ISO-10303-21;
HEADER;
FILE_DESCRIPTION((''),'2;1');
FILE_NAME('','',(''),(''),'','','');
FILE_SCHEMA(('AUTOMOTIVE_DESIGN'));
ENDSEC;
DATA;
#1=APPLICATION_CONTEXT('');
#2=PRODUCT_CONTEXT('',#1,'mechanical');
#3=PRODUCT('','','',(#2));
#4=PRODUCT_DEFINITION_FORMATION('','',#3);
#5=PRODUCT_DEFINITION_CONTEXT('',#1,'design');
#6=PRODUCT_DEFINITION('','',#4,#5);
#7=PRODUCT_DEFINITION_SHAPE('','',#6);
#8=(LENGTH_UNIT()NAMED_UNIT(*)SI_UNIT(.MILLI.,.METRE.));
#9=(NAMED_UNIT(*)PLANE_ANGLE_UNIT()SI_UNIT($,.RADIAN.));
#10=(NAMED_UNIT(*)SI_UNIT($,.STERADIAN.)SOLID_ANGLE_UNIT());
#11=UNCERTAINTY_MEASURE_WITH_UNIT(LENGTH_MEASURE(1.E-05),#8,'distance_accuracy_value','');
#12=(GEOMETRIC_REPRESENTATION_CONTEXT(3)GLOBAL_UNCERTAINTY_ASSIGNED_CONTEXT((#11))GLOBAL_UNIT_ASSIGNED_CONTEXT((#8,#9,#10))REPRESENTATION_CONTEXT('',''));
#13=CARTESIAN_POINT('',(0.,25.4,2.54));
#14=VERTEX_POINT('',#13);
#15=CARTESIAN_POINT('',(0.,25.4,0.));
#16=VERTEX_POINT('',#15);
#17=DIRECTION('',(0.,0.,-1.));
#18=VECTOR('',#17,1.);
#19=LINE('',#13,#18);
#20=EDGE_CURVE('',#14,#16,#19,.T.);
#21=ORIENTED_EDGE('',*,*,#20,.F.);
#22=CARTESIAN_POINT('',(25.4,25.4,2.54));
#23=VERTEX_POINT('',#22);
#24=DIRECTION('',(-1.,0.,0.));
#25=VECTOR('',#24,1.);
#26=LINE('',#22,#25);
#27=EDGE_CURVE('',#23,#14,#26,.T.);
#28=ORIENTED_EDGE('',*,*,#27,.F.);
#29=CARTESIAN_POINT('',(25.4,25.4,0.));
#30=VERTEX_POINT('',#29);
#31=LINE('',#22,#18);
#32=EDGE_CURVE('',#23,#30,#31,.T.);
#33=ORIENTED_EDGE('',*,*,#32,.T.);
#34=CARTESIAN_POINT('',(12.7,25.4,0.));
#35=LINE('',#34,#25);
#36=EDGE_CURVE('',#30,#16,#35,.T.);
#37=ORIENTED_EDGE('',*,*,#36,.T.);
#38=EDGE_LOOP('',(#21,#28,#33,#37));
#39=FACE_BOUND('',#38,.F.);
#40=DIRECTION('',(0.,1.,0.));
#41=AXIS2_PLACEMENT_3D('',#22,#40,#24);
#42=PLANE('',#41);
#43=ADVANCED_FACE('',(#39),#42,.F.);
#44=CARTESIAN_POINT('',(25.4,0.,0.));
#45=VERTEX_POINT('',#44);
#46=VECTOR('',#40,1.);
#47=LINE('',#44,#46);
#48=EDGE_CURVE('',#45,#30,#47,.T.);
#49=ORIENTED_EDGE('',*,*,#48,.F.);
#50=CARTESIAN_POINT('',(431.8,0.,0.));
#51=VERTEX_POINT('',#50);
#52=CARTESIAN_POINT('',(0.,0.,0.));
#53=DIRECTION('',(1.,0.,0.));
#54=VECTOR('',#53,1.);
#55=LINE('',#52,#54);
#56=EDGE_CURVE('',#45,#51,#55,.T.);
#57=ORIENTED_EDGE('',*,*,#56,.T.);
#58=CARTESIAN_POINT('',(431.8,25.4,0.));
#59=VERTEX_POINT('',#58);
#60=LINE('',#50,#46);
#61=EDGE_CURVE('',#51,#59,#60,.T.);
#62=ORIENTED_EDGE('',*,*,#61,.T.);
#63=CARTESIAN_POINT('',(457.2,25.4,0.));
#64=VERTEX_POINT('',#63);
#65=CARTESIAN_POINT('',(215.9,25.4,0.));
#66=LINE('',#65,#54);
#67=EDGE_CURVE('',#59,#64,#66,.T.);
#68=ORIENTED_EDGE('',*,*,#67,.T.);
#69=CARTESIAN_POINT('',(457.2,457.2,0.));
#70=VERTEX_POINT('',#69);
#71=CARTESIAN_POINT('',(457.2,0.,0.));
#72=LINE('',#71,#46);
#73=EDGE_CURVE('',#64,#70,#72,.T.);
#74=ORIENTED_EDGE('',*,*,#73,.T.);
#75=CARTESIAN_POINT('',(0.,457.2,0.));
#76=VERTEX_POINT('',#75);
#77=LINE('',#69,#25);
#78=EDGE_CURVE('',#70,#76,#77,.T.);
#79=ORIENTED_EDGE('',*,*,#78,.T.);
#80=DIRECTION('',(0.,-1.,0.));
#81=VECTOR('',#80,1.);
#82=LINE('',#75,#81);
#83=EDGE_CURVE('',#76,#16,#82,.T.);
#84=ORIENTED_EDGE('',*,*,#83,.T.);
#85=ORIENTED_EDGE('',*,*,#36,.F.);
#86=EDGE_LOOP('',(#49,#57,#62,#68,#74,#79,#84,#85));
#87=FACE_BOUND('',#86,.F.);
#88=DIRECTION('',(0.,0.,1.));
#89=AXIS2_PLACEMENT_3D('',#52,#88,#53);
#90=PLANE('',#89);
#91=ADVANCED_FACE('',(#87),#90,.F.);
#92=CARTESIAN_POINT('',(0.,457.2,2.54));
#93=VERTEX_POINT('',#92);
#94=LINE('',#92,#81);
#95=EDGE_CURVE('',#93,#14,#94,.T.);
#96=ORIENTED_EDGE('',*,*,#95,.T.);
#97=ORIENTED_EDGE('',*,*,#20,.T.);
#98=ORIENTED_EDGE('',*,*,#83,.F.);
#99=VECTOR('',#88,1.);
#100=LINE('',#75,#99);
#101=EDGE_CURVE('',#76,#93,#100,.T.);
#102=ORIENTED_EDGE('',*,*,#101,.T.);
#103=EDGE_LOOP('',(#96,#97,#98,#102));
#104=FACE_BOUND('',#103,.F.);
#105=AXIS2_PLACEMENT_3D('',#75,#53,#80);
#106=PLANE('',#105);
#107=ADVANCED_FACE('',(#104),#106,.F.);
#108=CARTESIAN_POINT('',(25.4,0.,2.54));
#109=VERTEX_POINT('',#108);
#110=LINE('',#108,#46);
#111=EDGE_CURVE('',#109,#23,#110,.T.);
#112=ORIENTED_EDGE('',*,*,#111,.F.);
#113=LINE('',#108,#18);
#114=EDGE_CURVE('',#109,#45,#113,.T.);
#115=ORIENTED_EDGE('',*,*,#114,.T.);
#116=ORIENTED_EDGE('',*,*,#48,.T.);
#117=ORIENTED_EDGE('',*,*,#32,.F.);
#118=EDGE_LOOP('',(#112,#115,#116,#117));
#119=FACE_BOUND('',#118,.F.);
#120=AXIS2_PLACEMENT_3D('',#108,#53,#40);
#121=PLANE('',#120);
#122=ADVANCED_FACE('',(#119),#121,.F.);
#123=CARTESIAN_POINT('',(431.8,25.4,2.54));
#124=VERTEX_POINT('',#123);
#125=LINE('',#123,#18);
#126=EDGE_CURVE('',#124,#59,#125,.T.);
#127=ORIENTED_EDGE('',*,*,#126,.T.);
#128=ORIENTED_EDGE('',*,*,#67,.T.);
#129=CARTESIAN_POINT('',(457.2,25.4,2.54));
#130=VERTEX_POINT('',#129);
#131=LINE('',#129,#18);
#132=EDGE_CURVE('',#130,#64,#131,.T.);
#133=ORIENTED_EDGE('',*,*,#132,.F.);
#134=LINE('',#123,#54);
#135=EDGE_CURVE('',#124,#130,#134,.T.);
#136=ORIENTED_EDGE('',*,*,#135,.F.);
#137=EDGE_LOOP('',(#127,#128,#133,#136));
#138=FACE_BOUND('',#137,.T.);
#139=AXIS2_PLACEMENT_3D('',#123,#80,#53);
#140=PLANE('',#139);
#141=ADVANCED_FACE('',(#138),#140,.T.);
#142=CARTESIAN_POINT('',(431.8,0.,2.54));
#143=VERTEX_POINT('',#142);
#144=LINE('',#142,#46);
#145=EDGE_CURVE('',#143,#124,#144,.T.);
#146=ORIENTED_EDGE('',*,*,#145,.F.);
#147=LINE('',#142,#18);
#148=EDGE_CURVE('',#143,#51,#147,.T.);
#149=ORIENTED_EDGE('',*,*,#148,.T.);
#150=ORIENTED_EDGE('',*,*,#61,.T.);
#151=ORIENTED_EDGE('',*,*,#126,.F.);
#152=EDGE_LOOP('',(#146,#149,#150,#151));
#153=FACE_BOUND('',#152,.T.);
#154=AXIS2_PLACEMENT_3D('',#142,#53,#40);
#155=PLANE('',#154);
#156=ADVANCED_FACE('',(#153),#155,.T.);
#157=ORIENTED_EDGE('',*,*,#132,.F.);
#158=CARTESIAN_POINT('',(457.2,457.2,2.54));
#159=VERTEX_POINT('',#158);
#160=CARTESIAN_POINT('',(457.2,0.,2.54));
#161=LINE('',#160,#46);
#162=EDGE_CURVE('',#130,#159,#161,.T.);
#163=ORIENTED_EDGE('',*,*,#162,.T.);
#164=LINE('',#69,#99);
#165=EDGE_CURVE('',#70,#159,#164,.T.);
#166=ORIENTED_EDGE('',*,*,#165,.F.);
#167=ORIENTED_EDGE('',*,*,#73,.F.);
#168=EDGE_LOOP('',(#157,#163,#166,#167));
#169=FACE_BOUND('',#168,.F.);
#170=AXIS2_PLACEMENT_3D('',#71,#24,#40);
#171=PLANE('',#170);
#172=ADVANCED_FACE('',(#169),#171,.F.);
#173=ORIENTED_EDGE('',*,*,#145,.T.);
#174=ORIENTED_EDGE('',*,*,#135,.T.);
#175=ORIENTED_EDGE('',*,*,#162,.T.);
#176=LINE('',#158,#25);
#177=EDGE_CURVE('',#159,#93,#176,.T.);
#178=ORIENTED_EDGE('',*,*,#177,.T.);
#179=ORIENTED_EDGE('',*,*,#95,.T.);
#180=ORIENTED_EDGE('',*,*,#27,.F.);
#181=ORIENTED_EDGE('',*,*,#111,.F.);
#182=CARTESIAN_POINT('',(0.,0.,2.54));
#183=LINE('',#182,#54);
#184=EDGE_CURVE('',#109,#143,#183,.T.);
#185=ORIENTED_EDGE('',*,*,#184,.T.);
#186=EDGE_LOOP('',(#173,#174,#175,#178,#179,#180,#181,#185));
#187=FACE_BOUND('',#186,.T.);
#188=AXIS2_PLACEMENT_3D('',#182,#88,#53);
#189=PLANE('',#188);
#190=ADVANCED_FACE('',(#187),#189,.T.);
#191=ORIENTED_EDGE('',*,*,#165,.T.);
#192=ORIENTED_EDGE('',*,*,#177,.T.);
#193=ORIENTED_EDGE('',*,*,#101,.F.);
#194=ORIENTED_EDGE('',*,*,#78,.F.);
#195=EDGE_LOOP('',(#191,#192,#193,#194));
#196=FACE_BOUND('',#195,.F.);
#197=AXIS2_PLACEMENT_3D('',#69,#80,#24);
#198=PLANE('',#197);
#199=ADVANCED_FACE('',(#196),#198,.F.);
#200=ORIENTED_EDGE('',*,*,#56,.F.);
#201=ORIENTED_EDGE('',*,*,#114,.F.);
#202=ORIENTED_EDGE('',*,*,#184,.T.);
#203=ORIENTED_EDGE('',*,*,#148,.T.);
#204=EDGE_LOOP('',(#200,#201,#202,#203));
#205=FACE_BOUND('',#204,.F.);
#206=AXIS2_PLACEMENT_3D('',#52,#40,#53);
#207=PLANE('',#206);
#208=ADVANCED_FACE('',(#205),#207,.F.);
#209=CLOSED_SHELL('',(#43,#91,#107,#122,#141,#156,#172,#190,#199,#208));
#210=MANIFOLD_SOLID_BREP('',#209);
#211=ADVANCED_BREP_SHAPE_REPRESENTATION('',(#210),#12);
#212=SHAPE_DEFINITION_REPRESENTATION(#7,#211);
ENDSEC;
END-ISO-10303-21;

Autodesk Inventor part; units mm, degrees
ref_plane "YZ Plane" through (0, 0, 0) normal (1, 0, 0) x (0, 1, 0)
ref_plane "XZ Plane" through (0, 0, 0) normal (0, 1, 0) x (-1, 0, 0)
ref_plane "XY Plane" through (0, 0, 0) normal (0, 0, 1) x (1, 0, 0)
sketch "Sketch1" plane through (0, 0, 0) normal (0, 0, 1) x (1, 0, 0)
  line L0 (0, 0) -> (457.2, 0)
  line L1 (457.2, 0) -> (457.2, 457.2)
  line L2 (457.2, 457.2) -> (0, 457.2)
  line L3 (0, 457.2) -> (0, 0)
  dimension "d0" = 457.2
  dimension "d1" = 457.2
extrude "Extrusion1" add sketch "Sketch1" along normal blind 2.54
sketch "Sketch2" plane through (0, 0, 2.54) normal (0, 0, 1) x (1, 0, 0)
  line L0 (0, 0) -> (457.2, 0) projected
  line L1 (0, 0) -> (25.4, 0)
  line L2 (25.4, 0) -> (25.4, 25.4)
  line L3 (25.4, 25.4) -> (0, 25.4)
  line L4 (0, 25.4) -> (0, 0)
  line L5 (457.2, 0) -> (431.8, 0)
  line L6 (431.8, 0) -> (431.8, 25.4)
  line L7 (431.8, 25.4) -> (457.2, 25.4)
  line L8 (457.2, 25.4) -> (457.2, 0)
  dimension "d4" = 25.4
  dimension "d5" = 25.4
  dimension "d6" = 25.4
  dimension "d7" = 25.4
extrude "Extrusion2" cut sketch "Sketch2" against normal blind 25.4
properties part number "Circuit Board"
